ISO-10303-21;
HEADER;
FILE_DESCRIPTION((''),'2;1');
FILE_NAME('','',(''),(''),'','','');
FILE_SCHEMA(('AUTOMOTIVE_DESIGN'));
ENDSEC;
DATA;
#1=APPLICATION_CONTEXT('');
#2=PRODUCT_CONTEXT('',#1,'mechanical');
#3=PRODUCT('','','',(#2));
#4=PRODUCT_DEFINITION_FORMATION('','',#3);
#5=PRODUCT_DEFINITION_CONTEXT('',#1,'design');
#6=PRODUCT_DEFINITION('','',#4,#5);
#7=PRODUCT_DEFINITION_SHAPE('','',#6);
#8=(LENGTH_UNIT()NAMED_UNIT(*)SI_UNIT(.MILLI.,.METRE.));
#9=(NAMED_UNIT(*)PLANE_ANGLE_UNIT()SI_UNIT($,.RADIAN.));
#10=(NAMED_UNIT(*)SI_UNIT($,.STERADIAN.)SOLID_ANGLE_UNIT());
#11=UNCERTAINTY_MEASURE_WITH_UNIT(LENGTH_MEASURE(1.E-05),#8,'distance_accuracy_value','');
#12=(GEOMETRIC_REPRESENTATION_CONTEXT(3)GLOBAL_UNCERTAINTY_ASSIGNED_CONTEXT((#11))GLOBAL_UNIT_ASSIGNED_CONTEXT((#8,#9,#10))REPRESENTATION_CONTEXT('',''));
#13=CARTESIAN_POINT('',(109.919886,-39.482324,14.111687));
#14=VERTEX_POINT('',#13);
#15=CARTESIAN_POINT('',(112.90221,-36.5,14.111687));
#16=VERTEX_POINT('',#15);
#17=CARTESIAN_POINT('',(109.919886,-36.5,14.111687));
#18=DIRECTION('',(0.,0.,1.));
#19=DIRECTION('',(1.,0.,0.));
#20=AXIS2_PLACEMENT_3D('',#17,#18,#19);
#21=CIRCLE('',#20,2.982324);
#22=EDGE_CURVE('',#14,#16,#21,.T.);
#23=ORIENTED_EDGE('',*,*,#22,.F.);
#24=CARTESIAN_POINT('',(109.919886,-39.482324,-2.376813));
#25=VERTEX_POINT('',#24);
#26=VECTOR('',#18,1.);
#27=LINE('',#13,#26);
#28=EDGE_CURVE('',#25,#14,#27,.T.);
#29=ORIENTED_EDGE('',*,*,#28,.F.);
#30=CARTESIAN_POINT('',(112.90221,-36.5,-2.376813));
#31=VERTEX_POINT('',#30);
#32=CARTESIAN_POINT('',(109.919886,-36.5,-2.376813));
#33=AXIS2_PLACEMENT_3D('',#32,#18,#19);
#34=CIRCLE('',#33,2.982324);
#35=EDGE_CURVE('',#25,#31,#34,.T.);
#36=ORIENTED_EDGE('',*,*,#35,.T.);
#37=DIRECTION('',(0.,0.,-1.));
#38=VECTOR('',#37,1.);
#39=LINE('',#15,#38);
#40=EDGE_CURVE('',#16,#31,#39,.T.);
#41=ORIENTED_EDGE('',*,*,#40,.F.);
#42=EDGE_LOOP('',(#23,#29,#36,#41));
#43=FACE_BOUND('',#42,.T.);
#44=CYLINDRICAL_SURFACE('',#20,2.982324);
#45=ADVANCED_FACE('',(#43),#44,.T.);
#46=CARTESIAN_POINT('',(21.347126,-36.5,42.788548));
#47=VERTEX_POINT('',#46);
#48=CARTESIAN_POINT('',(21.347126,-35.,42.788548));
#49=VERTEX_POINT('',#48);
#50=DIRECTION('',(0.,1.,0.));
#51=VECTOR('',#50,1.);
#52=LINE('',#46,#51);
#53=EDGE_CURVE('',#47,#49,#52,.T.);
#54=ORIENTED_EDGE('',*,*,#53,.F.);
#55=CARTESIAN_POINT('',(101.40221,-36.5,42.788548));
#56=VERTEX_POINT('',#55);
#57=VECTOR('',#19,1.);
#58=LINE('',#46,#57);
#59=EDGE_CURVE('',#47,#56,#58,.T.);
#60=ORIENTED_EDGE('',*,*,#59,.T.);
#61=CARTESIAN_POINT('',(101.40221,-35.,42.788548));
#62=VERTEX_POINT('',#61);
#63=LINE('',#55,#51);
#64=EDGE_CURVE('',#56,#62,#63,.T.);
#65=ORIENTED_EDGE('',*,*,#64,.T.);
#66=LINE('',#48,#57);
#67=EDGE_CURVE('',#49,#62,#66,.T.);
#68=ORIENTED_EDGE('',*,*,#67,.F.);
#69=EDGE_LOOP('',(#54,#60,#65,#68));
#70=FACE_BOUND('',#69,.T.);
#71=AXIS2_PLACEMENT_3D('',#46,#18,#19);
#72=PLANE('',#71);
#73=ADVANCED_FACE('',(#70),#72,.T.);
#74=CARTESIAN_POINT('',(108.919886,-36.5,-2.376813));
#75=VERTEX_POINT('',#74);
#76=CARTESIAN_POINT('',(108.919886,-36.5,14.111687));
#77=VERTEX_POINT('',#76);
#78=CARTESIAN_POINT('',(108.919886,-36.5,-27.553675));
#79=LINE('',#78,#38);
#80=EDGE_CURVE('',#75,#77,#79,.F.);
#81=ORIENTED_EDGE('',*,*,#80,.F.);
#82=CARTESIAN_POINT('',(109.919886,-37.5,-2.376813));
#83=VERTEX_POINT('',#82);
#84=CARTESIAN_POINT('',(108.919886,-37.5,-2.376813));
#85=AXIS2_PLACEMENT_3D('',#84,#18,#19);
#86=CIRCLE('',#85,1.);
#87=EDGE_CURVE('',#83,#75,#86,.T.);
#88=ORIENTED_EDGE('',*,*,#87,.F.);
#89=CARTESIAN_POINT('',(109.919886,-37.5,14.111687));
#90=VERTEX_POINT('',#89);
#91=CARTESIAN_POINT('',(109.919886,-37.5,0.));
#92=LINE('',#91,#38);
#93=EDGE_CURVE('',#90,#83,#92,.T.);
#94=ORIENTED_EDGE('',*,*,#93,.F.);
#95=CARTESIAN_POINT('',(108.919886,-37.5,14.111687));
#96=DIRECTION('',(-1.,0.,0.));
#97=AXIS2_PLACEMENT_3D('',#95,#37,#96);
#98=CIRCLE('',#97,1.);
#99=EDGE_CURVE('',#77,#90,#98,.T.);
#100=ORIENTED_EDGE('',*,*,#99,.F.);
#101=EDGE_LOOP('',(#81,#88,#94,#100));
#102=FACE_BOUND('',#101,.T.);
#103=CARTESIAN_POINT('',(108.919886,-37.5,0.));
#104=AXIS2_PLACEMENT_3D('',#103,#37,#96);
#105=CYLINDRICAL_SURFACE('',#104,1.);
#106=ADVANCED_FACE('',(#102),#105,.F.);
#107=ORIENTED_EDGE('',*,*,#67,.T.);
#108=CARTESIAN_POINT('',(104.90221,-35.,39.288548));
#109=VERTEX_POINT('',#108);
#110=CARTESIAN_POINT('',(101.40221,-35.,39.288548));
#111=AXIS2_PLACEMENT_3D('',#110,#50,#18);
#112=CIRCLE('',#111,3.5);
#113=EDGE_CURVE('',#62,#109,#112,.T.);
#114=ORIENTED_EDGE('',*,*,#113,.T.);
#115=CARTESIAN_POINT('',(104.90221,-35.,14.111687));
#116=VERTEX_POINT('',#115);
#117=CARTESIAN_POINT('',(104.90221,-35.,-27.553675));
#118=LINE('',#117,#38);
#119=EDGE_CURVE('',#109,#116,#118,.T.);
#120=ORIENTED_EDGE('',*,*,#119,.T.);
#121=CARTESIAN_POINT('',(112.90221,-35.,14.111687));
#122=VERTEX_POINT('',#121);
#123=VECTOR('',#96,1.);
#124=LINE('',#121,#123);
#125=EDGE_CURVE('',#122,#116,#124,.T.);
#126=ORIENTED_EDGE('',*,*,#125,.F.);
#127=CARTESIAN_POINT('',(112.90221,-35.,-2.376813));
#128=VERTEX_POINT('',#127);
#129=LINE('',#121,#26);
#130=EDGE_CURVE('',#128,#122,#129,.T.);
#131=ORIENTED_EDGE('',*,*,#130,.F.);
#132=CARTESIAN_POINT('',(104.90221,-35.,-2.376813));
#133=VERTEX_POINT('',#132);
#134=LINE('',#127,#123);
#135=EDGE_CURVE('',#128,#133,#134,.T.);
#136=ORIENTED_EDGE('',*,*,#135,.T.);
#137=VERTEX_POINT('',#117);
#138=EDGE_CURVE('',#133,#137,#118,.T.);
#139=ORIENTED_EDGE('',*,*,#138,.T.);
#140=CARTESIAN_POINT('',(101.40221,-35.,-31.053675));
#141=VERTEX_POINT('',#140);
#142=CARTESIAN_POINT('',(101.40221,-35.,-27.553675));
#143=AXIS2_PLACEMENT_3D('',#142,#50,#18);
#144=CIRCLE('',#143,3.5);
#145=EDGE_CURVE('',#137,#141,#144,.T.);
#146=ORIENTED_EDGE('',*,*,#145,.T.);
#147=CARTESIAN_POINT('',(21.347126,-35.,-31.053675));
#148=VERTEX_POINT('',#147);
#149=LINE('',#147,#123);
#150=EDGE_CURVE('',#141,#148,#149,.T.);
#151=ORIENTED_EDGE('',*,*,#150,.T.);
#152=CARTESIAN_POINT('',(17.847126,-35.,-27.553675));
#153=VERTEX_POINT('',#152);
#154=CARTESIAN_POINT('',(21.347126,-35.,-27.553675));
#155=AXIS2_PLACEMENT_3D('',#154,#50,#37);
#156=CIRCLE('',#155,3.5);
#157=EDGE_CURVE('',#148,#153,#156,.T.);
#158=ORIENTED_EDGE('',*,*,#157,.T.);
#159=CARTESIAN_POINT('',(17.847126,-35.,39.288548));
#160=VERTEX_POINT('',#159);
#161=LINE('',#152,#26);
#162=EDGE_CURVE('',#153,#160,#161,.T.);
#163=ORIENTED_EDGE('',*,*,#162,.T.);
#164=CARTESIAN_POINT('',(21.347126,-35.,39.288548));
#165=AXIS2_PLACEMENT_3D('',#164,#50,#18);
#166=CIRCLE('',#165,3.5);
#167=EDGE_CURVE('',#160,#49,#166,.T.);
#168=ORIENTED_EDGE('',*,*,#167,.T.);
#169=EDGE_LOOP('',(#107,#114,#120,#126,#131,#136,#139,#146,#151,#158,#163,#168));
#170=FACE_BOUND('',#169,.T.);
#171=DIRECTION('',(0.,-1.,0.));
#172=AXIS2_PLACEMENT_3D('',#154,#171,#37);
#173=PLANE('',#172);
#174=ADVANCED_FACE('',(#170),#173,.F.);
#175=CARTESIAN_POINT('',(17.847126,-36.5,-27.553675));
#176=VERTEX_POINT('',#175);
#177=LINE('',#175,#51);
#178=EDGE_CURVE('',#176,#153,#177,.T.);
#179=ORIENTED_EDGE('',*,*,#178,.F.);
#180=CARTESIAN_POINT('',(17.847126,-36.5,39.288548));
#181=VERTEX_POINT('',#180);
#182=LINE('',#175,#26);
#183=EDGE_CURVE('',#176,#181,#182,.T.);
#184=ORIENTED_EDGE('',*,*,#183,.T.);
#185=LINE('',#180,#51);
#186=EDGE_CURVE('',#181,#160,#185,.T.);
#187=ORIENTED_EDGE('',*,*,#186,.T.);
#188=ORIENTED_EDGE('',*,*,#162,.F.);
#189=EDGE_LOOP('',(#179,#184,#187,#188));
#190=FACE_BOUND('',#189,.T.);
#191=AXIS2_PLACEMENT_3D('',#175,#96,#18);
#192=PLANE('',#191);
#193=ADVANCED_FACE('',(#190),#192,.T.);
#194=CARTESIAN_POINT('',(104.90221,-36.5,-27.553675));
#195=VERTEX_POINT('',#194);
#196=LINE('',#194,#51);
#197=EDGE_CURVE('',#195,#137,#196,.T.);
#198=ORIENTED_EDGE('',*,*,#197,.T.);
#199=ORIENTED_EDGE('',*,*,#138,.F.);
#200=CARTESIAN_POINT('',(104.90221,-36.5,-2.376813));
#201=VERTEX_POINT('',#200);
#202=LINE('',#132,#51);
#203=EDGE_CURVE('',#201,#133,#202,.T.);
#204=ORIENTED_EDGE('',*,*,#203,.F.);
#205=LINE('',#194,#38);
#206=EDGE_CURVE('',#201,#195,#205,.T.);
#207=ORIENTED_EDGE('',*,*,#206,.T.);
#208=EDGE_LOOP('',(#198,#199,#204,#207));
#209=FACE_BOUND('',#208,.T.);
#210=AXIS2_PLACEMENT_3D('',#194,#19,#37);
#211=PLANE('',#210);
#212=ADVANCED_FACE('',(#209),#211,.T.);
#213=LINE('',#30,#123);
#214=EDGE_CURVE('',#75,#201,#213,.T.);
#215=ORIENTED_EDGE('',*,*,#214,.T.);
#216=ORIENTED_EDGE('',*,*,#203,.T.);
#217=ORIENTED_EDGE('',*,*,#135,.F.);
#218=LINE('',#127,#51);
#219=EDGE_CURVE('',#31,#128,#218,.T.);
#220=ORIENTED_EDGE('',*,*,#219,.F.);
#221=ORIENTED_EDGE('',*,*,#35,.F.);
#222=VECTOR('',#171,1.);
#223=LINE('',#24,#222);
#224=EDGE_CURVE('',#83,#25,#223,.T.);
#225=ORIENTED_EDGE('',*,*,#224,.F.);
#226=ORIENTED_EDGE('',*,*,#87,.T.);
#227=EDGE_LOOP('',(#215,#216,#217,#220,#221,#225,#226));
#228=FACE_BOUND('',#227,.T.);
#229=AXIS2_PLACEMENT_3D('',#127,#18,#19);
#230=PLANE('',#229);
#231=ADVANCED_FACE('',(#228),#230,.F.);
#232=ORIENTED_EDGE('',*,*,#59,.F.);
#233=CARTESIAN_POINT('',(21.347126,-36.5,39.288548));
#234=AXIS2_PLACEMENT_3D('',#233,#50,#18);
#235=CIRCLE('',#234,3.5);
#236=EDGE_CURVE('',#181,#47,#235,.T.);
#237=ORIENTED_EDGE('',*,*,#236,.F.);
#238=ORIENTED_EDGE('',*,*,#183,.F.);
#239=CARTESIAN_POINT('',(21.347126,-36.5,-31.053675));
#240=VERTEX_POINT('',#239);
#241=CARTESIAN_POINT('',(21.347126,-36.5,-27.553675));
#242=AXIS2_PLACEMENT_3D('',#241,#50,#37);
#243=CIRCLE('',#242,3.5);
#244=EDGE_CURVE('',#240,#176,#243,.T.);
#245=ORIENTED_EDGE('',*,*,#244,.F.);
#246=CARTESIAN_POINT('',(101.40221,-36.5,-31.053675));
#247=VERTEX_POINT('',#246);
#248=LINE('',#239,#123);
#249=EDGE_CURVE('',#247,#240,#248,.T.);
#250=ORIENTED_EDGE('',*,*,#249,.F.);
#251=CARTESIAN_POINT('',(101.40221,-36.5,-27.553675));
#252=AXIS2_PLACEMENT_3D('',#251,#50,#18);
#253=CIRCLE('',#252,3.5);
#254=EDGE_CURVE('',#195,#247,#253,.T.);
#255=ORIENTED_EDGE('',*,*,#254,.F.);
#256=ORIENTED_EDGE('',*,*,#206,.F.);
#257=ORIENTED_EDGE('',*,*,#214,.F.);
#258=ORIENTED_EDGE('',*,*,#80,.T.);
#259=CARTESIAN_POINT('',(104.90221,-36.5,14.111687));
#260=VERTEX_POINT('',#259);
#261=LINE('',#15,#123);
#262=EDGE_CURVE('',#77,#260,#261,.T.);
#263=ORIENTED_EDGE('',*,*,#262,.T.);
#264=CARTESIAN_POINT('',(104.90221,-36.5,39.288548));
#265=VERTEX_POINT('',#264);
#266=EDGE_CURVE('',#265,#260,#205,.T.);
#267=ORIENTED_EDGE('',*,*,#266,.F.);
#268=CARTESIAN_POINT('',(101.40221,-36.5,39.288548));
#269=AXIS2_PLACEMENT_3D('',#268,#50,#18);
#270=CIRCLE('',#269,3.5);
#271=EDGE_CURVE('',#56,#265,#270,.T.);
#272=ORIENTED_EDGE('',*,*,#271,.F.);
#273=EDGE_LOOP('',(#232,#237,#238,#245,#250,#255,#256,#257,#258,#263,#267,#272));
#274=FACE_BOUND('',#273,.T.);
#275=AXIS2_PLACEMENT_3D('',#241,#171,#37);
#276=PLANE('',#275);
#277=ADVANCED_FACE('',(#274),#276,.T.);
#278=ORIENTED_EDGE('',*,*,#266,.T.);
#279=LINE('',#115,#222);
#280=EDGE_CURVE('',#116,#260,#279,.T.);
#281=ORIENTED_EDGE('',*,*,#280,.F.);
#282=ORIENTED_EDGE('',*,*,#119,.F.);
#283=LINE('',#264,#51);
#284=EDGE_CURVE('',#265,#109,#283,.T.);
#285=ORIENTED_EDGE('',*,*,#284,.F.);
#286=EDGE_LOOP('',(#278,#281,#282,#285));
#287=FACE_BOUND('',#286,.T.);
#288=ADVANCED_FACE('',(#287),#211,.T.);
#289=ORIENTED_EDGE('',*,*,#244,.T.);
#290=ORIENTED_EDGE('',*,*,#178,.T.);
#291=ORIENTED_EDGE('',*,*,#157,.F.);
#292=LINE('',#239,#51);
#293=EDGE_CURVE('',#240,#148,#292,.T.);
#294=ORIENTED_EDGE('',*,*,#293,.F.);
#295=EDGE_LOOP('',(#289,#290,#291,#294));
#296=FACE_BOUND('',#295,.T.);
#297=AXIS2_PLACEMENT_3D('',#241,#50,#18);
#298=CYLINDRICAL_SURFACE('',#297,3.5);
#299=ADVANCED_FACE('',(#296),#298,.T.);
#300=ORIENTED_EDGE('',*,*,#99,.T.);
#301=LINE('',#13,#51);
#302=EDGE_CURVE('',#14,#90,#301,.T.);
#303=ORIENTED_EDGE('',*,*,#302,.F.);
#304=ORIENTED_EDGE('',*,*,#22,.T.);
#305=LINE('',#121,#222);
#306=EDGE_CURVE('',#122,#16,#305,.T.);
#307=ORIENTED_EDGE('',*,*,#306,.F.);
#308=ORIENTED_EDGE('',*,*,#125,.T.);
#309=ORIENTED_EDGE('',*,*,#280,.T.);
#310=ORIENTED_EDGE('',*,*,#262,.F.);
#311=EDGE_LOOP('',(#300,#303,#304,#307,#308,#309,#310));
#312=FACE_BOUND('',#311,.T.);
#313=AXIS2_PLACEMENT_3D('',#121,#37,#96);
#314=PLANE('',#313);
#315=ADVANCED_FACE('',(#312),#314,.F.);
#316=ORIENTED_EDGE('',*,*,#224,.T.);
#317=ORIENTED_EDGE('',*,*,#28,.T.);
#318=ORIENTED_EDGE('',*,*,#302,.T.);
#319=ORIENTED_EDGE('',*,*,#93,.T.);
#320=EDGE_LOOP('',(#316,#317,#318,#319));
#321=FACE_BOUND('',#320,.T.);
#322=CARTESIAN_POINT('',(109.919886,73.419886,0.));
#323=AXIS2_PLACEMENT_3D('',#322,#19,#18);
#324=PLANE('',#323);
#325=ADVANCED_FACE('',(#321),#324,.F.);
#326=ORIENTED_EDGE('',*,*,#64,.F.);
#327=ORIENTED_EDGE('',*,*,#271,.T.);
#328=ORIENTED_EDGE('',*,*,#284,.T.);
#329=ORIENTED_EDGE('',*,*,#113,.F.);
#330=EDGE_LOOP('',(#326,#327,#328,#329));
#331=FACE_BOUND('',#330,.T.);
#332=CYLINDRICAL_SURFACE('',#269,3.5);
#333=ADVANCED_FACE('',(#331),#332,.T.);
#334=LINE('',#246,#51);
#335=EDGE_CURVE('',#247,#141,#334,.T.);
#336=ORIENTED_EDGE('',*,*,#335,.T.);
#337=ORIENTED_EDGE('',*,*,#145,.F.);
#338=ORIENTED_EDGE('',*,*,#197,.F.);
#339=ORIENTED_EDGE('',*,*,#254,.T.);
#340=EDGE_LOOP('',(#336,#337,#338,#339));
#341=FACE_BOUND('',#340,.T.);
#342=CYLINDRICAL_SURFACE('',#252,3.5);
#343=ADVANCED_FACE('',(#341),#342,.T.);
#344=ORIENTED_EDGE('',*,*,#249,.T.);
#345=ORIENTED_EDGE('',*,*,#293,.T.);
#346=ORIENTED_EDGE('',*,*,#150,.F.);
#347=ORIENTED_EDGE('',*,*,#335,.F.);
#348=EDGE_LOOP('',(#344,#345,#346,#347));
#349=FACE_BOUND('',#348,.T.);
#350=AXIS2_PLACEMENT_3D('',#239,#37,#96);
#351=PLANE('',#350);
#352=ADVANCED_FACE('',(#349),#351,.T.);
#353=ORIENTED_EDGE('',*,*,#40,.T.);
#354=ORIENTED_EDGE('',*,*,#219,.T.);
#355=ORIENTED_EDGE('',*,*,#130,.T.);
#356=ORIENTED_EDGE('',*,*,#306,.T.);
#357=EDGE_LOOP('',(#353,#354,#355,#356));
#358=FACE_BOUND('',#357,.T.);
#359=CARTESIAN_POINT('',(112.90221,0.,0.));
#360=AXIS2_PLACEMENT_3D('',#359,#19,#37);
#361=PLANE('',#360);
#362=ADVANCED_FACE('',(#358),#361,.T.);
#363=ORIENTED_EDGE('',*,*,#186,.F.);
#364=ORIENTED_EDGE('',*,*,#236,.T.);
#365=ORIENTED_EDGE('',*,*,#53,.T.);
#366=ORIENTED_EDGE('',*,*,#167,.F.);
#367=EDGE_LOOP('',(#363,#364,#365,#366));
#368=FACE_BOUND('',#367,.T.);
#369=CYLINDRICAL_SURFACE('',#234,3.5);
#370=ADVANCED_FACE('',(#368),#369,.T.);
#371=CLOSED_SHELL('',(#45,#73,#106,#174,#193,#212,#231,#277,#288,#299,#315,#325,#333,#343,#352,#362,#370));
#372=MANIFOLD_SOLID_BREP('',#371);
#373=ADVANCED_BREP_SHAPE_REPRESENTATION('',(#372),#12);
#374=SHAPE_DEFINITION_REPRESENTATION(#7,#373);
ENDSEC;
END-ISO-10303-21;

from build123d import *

# Parameters (mm, degrees)
BOSS_EXTRUDE1_DEPTH = 1.5
SKETCH3_W           = 16.488499631
SKETCH3_H           = 1.5
BOSS_EXTRUDE2_DEPTH = 8
SKETCH4_W           = 2.982324071
SKETCH4_H           = 16.488499631
REVOLVE1_ANGLE      = 90
FILLET1_R           = 1


with BuildPart() as part:
    # Sketch2 → Boss-Extrude1 (new body)
    with BuildSketch(Plane(origin=(0, -35, 0), x_dir=(1, 0, 0), z_dir=(0, 1, 0))):
        with BuildLine():
            Line((21.347125896, 31.053674712), (101.402209804, 31.053674712))
            ThreePointArc((101.402209804, 31.053674712), (103.877083539, 30.028548446), (104.902209804, 27.553674712))
            Line((104.902209804, 27.553674712), (104.902209804, -39.288548186))
            ThreePointArc((104.902209804, -39.288548186), (103.877083539, -41.76342192), (101.402209804, -42.788548186))
            Line((101.402209804, -42.788548186), (21.347125896, -42.788548186))
            ThreePointArc((21.347125896, -42.788548186), (18.872252162, -41.76342192), (17.847125896, -39.288548186))
            Line((17.847125896, -39.288548186), (17.847125896, 27.553674712))
            ThreePointArc((17.847125896, 27.553674712), (18.872252162, 30.028548446), (21.347125896, 31.053674712))
        make_face()
    extrude(amount=-BOSS_EXTRUDE1_DEPTH)

    # Sketch3 → Boss-Extrude2 (add)
    with BuildSketch(Plane(origin=(104.902209804, 0, 0), x_dir=(0, 0, -1), z_dir=(1, 0, 0))):
        with Locations((-5.867436738, -35.75)):
            Rectangle(SKETCH3_W, SKETCH3_H)
    extrude(amount=BOSS_EXTRUDE2_DEPTH)

    # Sketch4 → Revolve1 (revolve)
    with BuildSketch(Plane(origin=(0, -36.5, 0), x_dir=(-1, 0, 0), z_dir=(0, -1, 0))):
        with Locations((-111.411047768, -5.867436738)):
            Rectangle(SKETCH4_W, SKETCH4_H)
    revolve(axis=Axis((109.919885733, -36.5, 14.111686553), (0, 0, -1)), revolution_arc=REVOLVE1_ANGLE)

    # Fillet1
    fillet1_edges = [part.edges().sort_by_distance(p)[0] for p in [
        (109.919885733, -36.5, 5.867436737),
    ]]
    fillet(fillet1_edges, radius=FILLET1_R)


solid = part.part
